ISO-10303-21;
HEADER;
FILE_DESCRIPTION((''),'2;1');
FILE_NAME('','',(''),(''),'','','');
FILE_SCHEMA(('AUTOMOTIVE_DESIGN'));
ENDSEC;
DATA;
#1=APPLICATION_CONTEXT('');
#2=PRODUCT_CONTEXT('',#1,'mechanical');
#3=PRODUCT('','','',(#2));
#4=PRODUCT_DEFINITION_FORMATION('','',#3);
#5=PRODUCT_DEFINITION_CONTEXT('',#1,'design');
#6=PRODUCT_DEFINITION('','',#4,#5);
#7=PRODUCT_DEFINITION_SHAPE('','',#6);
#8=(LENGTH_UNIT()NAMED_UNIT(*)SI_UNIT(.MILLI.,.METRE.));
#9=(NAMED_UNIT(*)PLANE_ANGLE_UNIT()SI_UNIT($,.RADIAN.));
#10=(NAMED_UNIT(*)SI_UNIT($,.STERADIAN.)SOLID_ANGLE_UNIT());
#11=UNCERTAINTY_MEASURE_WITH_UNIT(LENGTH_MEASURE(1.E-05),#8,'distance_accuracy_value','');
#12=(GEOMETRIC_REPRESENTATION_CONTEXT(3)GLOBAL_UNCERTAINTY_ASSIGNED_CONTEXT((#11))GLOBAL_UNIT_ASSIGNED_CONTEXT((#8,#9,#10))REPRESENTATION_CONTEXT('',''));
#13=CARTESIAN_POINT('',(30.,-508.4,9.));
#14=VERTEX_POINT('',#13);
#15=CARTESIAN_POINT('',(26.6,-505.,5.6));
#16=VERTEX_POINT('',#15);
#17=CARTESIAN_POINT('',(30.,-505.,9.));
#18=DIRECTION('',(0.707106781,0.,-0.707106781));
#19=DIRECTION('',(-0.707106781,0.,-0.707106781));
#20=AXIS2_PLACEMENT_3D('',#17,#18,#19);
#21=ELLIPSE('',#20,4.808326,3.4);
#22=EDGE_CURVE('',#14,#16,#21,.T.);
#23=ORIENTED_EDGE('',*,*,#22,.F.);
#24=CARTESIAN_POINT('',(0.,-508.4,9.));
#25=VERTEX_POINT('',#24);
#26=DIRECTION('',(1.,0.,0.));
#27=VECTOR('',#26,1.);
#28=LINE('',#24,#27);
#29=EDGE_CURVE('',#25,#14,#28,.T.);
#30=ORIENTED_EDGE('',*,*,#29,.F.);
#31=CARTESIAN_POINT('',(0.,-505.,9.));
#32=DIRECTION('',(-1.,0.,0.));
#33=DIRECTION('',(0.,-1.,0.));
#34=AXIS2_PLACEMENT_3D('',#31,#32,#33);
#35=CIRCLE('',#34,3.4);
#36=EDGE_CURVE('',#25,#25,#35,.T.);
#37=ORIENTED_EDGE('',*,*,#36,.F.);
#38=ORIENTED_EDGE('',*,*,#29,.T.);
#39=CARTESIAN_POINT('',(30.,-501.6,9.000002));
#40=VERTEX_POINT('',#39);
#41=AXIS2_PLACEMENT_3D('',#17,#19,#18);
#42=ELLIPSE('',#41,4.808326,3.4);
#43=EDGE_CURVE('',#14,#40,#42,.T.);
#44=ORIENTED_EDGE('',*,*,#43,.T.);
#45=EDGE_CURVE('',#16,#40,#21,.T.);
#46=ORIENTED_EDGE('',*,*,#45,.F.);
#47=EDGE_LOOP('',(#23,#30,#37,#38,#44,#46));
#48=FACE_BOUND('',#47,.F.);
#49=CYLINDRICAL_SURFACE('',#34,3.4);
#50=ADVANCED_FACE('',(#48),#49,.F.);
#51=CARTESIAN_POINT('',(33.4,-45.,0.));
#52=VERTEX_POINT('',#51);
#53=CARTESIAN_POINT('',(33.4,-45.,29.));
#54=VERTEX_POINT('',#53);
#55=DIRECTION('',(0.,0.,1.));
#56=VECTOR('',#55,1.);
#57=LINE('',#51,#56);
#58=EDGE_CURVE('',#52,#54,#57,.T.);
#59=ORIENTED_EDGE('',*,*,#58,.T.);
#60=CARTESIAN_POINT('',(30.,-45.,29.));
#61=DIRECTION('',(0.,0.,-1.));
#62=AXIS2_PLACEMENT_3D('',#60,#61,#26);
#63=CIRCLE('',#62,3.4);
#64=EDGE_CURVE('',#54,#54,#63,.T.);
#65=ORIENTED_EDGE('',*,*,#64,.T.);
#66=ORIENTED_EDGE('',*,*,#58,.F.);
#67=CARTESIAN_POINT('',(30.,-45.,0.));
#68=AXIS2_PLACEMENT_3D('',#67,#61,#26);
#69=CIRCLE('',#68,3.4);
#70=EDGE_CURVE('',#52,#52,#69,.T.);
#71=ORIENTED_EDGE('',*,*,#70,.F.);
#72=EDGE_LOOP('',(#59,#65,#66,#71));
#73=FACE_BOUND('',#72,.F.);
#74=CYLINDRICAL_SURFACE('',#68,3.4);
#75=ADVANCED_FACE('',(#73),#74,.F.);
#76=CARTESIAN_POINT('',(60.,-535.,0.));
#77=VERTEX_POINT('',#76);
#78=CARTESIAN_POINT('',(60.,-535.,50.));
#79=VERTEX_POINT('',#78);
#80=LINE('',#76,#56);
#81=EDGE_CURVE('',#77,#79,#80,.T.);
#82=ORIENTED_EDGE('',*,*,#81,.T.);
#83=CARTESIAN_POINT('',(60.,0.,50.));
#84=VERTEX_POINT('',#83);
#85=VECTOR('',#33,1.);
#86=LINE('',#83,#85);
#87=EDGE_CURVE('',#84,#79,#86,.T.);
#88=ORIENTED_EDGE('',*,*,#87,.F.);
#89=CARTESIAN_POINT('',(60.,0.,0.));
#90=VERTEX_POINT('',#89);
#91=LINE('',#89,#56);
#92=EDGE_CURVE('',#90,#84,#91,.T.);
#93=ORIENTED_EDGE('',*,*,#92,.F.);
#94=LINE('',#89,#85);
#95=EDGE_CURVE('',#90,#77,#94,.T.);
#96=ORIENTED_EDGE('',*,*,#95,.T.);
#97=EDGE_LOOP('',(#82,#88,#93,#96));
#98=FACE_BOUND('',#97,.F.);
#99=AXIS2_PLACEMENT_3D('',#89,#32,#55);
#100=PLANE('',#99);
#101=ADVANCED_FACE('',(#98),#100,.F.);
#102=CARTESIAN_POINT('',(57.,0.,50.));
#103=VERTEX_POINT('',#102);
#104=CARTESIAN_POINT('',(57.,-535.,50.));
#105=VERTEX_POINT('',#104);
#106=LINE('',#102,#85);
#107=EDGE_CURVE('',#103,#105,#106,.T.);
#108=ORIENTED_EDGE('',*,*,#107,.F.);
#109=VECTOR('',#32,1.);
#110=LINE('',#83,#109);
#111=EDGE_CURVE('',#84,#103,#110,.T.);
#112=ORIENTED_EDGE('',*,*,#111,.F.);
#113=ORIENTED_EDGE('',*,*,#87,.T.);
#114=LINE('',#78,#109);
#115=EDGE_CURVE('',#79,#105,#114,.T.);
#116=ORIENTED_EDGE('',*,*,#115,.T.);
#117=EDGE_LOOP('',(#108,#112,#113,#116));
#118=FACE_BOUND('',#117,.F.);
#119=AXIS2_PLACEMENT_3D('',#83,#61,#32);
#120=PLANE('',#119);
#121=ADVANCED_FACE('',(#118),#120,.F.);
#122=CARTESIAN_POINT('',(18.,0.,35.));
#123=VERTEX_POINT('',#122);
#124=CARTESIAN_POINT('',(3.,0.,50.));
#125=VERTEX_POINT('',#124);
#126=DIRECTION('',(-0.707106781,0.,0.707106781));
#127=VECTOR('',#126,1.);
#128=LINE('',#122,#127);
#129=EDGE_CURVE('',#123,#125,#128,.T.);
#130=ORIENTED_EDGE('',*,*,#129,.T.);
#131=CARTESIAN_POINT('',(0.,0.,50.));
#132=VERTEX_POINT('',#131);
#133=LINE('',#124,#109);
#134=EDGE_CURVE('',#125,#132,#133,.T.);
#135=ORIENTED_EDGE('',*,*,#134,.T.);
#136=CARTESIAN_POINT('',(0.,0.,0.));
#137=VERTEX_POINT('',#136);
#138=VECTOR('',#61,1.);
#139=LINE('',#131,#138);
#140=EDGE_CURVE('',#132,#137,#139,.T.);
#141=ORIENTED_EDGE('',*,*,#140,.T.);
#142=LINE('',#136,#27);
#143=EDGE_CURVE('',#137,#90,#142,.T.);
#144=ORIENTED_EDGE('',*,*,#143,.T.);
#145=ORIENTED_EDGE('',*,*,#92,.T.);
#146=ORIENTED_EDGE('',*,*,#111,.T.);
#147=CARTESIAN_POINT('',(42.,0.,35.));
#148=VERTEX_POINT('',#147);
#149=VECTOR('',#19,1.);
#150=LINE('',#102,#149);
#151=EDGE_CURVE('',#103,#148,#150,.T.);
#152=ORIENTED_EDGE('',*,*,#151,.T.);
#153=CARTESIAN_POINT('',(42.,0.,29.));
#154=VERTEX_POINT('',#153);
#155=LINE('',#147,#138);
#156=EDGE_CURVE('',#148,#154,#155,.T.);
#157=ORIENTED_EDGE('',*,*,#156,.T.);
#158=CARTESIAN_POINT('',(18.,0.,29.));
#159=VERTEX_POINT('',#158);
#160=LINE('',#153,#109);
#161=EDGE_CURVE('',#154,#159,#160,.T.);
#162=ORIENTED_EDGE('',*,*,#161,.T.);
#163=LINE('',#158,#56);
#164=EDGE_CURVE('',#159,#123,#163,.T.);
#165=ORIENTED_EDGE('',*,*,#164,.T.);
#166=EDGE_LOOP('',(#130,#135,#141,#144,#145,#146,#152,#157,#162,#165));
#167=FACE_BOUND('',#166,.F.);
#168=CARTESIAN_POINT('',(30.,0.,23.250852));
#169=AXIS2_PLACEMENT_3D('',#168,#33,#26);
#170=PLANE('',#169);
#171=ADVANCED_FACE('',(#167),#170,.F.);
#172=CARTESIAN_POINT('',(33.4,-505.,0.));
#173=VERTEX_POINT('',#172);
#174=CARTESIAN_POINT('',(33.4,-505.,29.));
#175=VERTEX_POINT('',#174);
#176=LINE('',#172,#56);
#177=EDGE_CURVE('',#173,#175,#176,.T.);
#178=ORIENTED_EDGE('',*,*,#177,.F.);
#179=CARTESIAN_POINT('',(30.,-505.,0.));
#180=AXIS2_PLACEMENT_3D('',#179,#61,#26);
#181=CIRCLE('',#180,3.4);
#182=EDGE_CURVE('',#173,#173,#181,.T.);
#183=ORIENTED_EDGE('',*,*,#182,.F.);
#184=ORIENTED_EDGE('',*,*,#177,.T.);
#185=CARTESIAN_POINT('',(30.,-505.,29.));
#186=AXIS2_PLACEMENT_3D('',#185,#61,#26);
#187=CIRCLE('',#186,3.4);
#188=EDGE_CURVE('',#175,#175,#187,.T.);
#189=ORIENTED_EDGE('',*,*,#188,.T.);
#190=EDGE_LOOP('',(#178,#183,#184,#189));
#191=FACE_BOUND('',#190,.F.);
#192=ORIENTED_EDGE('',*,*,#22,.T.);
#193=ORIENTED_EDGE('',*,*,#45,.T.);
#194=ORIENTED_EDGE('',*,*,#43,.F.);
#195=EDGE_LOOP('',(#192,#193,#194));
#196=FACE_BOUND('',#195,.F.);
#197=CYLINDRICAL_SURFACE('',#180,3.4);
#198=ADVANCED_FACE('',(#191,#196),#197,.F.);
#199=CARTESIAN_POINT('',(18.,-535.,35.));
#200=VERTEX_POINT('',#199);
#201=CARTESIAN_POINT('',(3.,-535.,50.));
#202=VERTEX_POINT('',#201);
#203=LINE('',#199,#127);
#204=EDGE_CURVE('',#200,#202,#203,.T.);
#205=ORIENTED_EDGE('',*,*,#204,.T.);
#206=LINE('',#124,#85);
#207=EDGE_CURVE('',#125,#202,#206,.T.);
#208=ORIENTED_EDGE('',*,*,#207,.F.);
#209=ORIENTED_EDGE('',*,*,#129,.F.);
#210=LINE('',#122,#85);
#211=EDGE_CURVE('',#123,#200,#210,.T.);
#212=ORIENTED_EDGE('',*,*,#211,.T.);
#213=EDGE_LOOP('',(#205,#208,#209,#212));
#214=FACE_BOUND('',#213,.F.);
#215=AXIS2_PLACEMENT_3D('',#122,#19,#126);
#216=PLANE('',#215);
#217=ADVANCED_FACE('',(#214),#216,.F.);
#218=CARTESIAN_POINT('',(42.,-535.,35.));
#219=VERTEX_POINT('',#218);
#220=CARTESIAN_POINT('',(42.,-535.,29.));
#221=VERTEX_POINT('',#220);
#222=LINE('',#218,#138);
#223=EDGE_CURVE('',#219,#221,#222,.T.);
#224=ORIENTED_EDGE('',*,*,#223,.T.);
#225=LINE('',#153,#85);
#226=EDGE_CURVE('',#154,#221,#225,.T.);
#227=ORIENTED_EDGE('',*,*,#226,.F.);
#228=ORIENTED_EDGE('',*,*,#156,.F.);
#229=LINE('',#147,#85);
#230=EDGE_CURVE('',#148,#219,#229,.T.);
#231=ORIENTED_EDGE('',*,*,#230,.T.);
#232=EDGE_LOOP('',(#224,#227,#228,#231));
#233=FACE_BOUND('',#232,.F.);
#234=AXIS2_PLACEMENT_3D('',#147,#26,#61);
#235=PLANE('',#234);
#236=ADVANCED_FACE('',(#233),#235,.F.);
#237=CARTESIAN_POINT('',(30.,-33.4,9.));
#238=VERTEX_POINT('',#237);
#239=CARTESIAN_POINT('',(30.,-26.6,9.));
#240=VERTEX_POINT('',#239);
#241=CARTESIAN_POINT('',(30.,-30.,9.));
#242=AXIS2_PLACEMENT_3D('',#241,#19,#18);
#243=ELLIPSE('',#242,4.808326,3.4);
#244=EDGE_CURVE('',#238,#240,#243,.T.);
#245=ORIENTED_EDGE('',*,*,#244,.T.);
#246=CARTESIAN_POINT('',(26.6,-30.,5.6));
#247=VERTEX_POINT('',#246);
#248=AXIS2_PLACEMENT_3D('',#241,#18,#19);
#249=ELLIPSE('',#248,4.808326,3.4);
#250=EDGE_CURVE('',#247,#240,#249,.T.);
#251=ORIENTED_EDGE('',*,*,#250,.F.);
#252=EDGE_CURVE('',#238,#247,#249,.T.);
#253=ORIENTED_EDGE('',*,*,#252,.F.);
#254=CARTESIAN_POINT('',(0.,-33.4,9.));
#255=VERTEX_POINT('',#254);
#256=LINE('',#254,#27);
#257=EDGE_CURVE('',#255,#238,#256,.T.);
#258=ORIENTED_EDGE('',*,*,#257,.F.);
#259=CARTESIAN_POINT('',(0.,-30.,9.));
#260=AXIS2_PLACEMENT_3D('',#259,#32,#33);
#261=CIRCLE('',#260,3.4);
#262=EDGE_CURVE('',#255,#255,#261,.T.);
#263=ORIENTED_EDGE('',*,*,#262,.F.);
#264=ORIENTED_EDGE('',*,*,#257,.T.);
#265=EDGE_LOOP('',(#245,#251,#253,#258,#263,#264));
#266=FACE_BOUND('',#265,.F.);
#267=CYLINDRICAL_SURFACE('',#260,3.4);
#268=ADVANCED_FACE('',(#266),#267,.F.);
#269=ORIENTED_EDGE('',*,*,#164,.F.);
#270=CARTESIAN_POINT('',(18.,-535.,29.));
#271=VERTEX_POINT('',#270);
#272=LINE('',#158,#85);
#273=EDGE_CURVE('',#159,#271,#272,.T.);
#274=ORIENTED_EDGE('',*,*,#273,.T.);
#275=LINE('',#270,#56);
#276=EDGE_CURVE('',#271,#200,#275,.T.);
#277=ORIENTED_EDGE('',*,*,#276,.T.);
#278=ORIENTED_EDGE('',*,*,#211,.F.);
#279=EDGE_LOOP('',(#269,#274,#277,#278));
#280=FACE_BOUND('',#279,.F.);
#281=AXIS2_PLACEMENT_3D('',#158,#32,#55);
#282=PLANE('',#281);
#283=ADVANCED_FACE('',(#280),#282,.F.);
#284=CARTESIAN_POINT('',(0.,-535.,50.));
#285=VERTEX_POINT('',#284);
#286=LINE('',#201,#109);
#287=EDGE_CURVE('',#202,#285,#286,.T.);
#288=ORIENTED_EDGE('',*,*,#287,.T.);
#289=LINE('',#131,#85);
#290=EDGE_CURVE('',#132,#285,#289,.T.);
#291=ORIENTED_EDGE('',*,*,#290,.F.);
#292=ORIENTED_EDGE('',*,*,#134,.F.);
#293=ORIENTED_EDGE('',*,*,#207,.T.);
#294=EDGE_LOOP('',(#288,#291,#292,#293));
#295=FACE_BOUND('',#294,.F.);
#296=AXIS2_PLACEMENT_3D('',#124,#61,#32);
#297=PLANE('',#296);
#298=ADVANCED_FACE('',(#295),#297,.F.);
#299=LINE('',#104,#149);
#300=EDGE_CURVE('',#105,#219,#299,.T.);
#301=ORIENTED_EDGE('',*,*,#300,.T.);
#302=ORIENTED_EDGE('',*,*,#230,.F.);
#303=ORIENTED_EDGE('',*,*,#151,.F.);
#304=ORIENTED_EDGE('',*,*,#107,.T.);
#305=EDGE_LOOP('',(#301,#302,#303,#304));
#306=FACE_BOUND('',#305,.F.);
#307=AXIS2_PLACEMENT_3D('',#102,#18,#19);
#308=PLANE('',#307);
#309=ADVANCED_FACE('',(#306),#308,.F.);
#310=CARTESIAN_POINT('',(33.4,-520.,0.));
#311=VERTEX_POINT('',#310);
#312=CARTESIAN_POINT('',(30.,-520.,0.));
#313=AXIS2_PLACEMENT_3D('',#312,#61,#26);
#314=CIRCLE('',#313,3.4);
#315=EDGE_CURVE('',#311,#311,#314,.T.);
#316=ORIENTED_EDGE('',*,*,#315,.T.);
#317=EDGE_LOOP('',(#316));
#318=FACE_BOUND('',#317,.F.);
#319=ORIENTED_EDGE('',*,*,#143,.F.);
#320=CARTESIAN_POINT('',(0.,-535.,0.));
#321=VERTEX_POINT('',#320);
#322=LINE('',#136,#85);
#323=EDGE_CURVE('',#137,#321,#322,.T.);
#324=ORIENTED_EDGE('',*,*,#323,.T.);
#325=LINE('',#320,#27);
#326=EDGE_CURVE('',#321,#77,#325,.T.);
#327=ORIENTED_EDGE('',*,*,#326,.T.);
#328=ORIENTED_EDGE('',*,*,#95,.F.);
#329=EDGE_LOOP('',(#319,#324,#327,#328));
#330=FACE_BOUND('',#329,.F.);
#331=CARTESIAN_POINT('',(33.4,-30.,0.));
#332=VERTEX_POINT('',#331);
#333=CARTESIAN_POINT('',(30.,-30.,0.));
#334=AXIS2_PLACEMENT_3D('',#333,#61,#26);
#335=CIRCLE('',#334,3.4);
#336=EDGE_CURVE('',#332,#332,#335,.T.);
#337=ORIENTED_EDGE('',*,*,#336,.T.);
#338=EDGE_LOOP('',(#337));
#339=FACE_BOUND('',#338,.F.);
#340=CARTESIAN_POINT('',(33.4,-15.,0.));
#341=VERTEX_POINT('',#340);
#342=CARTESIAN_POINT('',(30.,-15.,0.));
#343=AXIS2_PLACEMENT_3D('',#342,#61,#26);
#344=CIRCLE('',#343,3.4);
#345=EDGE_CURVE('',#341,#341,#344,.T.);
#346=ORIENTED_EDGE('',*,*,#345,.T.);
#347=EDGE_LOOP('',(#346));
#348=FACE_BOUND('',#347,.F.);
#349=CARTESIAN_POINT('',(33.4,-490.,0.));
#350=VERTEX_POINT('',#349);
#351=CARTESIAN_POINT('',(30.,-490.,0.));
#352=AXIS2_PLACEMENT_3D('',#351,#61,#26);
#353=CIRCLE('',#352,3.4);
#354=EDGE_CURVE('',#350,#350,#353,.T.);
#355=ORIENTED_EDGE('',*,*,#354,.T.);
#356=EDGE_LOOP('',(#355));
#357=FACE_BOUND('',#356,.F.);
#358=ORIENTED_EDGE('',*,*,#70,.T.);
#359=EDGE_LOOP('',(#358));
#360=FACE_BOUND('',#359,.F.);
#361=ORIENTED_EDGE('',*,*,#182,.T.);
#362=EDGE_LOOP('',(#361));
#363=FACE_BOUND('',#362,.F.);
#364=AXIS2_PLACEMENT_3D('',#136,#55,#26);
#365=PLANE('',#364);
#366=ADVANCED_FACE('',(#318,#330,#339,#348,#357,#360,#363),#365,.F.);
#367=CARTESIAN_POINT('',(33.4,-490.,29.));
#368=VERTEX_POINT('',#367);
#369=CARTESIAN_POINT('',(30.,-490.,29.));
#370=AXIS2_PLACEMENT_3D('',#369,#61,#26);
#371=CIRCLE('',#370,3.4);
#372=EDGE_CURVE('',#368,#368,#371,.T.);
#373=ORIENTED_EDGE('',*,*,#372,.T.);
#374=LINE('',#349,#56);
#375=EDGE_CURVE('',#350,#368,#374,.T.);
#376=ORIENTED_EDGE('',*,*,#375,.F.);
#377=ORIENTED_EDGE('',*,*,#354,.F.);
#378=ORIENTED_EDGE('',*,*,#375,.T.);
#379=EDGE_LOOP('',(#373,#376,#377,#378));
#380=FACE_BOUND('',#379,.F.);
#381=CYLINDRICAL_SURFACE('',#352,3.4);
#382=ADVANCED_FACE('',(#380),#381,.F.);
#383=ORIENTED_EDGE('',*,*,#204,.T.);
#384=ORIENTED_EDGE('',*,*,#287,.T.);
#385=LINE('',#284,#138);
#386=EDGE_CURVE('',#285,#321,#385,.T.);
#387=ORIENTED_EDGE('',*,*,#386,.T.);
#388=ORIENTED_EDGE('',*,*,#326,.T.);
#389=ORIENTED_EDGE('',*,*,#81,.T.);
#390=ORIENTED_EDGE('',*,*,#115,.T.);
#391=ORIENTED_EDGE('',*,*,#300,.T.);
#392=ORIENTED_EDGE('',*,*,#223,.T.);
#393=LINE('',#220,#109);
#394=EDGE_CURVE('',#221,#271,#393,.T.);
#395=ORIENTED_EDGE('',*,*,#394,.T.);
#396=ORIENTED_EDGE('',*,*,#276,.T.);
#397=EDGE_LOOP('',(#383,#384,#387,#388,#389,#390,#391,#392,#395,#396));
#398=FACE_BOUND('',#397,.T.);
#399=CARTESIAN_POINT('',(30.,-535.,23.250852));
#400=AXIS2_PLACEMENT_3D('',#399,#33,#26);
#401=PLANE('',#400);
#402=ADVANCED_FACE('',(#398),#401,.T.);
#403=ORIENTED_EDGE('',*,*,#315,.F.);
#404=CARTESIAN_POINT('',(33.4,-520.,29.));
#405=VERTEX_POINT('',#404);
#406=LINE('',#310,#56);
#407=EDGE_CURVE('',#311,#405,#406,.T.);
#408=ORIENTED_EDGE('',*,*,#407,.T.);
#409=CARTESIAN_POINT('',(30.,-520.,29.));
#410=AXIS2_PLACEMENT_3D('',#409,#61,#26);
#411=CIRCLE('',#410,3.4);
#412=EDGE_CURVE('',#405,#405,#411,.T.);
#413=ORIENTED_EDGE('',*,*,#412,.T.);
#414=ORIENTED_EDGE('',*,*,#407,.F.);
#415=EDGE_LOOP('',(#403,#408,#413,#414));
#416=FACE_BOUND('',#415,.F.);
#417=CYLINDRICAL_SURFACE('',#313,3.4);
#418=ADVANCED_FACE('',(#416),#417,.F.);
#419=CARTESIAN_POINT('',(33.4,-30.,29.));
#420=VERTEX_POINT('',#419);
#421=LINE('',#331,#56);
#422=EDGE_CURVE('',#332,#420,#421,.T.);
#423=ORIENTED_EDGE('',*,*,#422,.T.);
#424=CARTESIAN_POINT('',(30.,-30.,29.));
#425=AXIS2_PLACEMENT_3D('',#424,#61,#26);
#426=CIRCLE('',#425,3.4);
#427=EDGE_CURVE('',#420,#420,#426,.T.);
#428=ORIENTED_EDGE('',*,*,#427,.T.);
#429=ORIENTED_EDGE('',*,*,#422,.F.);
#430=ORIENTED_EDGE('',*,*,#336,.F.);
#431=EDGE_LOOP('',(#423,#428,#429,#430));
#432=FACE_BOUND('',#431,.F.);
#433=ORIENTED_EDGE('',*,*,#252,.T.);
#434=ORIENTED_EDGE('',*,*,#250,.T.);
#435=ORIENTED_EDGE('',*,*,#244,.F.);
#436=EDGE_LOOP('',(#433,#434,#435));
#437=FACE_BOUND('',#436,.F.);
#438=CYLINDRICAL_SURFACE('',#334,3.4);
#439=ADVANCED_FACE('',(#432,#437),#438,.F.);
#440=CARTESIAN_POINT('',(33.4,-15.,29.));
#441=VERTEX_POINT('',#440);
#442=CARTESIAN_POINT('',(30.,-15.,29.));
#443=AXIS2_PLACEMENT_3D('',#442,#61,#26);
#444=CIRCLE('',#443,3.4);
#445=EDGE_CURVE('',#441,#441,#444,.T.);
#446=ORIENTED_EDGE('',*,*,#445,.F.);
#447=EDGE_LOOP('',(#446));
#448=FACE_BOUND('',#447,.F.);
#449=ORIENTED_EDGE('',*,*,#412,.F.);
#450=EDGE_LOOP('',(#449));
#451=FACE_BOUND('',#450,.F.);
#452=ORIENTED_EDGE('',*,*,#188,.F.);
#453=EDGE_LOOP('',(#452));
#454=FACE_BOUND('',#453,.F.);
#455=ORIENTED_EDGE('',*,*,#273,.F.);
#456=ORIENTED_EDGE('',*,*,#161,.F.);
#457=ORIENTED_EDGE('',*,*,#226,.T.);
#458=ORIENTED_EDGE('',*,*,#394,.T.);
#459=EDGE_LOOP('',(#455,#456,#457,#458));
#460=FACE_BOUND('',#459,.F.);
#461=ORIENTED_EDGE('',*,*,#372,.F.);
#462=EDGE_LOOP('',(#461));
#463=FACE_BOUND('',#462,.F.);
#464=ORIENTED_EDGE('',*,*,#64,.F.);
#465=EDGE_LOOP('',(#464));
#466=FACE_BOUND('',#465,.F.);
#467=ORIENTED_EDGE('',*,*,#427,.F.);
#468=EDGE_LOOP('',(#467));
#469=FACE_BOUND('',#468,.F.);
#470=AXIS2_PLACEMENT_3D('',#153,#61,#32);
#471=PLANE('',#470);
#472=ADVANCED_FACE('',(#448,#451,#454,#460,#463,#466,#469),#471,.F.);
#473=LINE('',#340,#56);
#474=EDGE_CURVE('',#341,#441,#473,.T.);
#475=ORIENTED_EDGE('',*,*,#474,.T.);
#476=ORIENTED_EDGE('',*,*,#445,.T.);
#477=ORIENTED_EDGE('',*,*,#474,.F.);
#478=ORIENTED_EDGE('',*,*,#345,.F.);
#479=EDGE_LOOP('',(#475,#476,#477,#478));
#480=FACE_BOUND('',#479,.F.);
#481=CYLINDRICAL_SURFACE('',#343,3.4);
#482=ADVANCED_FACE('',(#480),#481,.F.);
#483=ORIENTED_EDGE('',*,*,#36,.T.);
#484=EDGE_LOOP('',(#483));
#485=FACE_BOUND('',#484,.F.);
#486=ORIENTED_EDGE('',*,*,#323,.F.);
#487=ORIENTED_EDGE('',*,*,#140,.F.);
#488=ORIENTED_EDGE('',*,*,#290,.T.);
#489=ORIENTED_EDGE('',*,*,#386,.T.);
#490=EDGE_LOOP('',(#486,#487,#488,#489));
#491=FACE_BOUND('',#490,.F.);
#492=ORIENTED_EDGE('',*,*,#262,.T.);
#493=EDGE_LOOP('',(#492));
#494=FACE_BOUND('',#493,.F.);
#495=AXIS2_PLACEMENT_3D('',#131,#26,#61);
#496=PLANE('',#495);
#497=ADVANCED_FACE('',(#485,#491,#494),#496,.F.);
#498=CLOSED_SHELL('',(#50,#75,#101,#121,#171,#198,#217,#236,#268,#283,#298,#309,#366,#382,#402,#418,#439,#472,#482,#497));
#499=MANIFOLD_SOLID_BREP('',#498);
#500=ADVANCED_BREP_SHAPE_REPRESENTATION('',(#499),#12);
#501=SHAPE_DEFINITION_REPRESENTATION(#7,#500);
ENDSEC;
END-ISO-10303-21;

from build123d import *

# Parameters (mm, degrees)
F1_DEPTH = 535
F2_R     = 3.4
F3_DEPTH = 30
F4_R     = 3.4
F5_DEPTH = 30


with BuildPart() as f1:
    # F0 (on Front) → F1 (new body)
    with BuildSketch(Plane.XZ):
        Polygon((0, 50), (0, 0), (60, 0), (60, 50), (57, 50), (42, 35), (42, 29), (30, 29), (18, 29), (18, 35), (3, 50), align=None)
    extrude(amount=F1_DEPTH)

    # F2 (on face) → F3 (cut)
    with BuildSketch(Plane(origin=(0, 0, 0), x_dir=(1, 0, 0), z_dir=(0, 0, -1))):
        with Locations((30, 520)):
            Circle(F2_R)
        with Locations((30, 505)):
            Circle(F2_R)
        with Locations((30, 490)):
            Circle(F2_R)
        with Locations((30, 45)):
            Circle(F2_R)
        with Locations((30, 30)):
            Circle(F2_R)
        with Locations((30, 15)):
            Circle(F2_R)
    extrude(amount=-F3_DEPTH, mode=Mode.SUBTRACT)

    # F4 (on face) → F5 (cut)
    with BuildSketch(Plane(origin=(0, 0, 0), x_dir=(0, -1, 0), z_dir=(-1, 0, 0))):
        with Locations((30, 9)):
            Circle(F4_R)
        with Locations((505, 9)):
            Circle(F4_R)
    extrude(amount=-F5_DEPTH, mode=Mode.SUBTRACT)


solid = f1.part
